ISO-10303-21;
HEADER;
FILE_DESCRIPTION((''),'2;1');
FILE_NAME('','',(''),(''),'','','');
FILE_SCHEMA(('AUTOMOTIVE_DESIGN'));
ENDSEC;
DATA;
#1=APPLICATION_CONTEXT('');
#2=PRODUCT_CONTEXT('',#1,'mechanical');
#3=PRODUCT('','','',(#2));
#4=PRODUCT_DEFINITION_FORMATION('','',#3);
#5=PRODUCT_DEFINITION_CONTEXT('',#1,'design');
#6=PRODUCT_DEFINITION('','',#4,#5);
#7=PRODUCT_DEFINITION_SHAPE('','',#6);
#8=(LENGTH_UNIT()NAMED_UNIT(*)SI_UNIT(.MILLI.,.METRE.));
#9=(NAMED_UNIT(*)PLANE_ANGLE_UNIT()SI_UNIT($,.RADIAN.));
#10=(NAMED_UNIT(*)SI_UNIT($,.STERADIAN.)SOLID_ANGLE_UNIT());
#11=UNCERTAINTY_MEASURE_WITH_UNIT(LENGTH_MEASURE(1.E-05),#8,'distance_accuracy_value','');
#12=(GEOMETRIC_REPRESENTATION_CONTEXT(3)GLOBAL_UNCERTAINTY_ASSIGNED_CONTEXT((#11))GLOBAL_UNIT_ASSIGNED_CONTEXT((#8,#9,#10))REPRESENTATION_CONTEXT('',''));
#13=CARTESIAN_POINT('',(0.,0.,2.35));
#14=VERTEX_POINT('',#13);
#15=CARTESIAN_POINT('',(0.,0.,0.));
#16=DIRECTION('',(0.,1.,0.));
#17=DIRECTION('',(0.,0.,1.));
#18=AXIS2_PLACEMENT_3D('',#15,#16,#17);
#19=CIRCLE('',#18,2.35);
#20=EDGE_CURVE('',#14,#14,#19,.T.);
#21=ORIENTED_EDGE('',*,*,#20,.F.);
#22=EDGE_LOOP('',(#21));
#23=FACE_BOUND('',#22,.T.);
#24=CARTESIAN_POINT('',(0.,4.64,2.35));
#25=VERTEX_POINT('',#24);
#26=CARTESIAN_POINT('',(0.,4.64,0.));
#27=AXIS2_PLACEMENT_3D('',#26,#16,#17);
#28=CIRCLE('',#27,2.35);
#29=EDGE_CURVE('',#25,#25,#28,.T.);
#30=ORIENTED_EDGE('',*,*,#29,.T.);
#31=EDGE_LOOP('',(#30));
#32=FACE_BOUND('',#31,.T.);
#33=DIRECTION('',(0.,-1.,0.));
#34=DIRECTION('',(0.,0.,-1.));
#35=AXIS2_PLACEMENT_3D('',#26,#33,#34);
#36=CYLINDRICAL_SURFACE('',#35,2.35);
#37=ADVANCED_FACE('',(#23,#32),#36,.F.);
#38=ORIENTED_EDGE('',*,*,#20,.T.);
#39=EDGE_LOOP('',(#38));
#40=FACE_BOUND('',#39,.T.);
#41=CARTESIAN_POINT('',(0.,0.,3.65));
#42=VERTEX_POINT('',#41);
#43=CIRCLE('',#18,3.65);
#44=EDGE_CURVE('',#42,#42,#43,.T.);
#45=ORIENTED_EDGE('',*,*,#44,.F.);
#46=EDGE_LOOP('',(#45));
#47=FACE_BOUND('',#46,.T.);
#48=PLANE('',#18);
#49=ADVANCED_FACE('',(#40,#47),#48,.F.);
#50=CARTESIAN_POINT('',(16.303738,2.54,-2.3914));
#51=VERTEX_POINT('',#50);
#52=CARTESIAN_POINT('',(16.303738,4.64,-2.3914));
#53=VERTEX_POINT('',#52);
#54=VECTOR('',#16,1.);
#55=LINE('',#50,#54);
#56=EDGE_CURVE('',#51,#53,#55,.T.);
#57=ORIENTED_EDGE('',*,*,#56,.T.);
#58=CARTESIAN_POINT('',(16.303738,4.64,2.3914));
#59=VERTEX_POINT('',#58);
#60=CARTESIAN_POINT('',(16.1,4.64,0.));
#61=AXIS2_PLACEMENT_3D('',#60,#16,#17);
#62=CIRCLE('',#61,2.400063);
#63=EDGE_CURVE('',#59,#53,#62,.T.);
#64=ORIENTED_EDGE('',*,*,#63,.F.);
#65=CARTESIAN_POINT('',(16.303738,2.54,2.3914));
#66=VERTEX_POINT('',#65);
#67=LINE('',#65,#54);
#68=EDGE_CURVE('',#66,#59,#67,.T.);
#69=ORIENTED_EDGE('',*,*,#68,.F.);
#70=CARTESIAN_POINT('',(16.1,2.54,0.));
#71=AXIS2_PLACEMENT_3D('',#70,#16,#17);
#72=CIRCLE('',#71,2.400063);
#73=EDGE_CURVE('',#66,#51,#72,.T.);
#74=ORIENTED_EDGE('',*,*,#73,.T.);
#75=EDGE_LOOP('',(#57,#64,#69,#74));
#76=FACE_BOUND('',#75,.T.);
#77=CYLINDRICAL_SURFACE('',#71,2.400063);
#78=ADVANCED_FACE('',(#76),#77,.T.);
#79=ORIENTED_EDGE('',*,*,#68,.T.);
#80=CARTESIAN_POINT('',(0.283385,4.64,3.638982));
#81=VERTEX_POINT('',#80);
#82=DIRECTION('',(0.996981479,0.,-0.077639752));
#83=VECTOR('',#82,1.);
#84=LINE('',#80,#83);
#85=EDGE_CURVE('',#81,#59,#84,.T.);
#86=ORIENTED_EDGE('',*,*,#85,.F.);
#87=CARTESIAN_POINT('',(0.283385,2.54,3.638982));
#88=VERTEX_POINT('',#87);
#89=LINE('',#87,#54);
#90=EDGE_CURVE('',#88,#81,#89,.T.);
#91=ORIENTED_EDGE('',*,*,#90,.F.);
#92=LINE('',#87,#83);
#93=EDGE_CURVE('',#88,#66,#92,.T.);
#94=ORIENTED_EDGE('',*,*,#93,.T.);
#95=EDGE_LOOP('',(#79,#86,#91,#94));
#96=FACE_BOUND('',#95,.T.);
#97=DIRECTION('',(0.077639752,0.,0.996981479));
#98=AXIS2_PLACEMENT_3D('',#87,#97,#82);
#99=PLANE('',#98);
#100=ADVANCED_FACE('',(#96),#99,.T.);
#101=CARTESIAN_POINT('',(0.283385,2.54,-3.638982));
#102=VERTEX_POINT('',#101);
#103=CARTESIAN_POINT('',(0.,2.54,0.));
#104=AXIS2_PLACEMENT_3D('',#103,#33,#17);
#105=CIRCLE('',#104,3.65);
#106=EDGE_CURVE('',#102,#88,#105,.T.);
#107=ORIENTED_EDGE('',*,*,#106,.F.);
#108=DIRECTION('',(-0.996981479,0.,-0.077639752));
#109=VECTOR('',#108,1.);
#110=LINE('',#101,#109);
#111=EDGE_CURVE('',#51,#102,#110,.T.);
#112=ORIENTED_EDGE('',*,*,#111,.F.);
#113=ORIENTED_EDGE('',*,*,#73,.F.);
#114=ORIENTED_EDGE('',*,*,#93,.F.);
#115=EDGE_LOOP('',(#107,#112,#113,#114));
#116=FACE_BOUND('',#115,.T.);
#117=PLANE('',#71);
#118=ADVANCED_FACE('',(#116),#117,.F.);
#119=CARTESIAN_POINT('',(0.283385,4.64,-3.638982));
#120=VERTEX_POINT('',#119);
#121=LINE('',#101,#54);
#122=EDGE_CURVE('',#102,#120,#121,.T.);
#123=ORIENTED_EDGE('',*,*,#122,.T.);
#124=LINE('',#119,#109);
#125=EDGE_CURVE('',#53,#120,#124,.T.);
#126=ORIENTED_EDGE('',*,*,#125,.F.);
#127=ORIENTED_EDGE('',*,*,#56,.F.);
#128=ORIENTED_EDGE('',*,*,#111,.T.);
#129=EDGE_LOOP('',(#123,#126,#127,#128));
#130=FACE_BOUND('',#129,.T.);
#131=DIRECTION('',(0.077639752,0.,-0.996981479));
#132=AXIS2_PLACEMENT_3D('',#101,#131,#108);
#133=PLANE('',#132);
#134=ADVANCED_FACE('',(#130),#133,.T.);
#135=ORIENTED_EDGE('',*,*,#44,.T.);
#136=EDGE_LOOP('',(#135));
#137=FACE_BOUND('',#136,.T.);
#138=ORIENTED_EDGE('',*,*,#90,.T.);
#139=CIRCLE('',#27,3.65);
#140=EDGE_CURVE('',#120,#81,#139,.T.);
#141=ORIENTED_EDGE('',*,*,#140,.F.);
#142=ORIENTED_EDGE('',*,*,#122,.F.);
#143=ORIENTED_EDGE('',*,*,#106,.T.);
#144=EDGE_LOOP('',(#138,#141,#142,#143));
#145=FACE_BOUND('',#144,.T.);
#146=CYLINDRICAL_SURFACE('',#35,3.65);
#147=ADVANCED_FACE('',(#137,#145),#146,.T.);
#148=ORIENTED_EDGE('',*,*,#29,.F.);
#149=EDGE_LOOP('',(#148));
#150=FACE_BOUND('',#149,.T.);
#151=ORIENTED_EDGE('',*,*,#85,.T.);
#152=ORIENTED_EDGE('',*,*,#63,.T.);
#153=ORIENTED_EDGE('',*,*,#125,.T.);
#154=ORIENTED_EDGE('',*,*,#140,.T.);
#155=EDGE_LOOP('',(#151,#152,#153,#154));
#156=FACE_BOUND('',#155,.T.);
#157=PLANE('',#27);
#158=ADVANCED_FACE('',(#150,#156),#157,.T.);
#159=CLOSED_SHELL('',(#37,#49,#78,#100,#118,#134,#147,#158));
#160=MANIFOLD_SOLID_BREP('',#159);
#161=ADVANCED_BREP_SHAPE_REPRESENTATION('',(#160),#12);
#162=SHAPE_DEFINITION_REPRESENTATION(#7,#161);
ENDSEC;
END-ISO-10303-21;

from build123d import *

# Parameters (mm, degrees)
SKETCH1_R           = 3.65
SKETCH1_R_2         = 2.35
BOSS_EXTRUDE1_DEPTH = 4.64
BOSS_EXTRUDE2_START = -2.1
BOSS_EXTRUDE2_DEPTH = 2.1


with BuildPart() as part:
    # Sketch1 → Boss-Extrude1 (new body)
    with BuildSketch(Plane(origin=(0, 0, 0), x_dir=(1, 0, 0), z_dir=(0, 1, 0))):
        with Locations(Location((0, 0, 0), (0, 0, 270))):
            Circle(SKETCH1_R)
        with Locations(Location((0, 0, 0), (0, 0, 270))):
            Circle(SKETCH1_R_2, mode=Mode.SUBTRACT)
    extrude(amount=BOSS_EXTRUDE1_DEPTH)

    # Sketch2 → Boss-Extrude2 (add)
    with BuildSketch(Plane(origin=(0, 4.64, 0), x_dir=(1, 0, 0), z_dir=(0, 1, 0)).offset(BOSS_EXTRUDE2_START)):
        with BuildLine():
            Line((0.283385093, 3.638982397), (16.303738301, 2.391400302))
            ThreePointArc((16.303738301, 2.391400302), (18.500063478, 0), (16.303738301, -2.391400302))
            Line((16.303738301, -2.391400302), (0.283385093, -3.638982397))
            ThreePointArc((0.283385093, -3.638982397), (3.65, 0), (0.283385093, 3.638982397))
        make_face()
    extrude(amount=BOSS_EXTRUDE2_DEPTH)


solid = part.part
